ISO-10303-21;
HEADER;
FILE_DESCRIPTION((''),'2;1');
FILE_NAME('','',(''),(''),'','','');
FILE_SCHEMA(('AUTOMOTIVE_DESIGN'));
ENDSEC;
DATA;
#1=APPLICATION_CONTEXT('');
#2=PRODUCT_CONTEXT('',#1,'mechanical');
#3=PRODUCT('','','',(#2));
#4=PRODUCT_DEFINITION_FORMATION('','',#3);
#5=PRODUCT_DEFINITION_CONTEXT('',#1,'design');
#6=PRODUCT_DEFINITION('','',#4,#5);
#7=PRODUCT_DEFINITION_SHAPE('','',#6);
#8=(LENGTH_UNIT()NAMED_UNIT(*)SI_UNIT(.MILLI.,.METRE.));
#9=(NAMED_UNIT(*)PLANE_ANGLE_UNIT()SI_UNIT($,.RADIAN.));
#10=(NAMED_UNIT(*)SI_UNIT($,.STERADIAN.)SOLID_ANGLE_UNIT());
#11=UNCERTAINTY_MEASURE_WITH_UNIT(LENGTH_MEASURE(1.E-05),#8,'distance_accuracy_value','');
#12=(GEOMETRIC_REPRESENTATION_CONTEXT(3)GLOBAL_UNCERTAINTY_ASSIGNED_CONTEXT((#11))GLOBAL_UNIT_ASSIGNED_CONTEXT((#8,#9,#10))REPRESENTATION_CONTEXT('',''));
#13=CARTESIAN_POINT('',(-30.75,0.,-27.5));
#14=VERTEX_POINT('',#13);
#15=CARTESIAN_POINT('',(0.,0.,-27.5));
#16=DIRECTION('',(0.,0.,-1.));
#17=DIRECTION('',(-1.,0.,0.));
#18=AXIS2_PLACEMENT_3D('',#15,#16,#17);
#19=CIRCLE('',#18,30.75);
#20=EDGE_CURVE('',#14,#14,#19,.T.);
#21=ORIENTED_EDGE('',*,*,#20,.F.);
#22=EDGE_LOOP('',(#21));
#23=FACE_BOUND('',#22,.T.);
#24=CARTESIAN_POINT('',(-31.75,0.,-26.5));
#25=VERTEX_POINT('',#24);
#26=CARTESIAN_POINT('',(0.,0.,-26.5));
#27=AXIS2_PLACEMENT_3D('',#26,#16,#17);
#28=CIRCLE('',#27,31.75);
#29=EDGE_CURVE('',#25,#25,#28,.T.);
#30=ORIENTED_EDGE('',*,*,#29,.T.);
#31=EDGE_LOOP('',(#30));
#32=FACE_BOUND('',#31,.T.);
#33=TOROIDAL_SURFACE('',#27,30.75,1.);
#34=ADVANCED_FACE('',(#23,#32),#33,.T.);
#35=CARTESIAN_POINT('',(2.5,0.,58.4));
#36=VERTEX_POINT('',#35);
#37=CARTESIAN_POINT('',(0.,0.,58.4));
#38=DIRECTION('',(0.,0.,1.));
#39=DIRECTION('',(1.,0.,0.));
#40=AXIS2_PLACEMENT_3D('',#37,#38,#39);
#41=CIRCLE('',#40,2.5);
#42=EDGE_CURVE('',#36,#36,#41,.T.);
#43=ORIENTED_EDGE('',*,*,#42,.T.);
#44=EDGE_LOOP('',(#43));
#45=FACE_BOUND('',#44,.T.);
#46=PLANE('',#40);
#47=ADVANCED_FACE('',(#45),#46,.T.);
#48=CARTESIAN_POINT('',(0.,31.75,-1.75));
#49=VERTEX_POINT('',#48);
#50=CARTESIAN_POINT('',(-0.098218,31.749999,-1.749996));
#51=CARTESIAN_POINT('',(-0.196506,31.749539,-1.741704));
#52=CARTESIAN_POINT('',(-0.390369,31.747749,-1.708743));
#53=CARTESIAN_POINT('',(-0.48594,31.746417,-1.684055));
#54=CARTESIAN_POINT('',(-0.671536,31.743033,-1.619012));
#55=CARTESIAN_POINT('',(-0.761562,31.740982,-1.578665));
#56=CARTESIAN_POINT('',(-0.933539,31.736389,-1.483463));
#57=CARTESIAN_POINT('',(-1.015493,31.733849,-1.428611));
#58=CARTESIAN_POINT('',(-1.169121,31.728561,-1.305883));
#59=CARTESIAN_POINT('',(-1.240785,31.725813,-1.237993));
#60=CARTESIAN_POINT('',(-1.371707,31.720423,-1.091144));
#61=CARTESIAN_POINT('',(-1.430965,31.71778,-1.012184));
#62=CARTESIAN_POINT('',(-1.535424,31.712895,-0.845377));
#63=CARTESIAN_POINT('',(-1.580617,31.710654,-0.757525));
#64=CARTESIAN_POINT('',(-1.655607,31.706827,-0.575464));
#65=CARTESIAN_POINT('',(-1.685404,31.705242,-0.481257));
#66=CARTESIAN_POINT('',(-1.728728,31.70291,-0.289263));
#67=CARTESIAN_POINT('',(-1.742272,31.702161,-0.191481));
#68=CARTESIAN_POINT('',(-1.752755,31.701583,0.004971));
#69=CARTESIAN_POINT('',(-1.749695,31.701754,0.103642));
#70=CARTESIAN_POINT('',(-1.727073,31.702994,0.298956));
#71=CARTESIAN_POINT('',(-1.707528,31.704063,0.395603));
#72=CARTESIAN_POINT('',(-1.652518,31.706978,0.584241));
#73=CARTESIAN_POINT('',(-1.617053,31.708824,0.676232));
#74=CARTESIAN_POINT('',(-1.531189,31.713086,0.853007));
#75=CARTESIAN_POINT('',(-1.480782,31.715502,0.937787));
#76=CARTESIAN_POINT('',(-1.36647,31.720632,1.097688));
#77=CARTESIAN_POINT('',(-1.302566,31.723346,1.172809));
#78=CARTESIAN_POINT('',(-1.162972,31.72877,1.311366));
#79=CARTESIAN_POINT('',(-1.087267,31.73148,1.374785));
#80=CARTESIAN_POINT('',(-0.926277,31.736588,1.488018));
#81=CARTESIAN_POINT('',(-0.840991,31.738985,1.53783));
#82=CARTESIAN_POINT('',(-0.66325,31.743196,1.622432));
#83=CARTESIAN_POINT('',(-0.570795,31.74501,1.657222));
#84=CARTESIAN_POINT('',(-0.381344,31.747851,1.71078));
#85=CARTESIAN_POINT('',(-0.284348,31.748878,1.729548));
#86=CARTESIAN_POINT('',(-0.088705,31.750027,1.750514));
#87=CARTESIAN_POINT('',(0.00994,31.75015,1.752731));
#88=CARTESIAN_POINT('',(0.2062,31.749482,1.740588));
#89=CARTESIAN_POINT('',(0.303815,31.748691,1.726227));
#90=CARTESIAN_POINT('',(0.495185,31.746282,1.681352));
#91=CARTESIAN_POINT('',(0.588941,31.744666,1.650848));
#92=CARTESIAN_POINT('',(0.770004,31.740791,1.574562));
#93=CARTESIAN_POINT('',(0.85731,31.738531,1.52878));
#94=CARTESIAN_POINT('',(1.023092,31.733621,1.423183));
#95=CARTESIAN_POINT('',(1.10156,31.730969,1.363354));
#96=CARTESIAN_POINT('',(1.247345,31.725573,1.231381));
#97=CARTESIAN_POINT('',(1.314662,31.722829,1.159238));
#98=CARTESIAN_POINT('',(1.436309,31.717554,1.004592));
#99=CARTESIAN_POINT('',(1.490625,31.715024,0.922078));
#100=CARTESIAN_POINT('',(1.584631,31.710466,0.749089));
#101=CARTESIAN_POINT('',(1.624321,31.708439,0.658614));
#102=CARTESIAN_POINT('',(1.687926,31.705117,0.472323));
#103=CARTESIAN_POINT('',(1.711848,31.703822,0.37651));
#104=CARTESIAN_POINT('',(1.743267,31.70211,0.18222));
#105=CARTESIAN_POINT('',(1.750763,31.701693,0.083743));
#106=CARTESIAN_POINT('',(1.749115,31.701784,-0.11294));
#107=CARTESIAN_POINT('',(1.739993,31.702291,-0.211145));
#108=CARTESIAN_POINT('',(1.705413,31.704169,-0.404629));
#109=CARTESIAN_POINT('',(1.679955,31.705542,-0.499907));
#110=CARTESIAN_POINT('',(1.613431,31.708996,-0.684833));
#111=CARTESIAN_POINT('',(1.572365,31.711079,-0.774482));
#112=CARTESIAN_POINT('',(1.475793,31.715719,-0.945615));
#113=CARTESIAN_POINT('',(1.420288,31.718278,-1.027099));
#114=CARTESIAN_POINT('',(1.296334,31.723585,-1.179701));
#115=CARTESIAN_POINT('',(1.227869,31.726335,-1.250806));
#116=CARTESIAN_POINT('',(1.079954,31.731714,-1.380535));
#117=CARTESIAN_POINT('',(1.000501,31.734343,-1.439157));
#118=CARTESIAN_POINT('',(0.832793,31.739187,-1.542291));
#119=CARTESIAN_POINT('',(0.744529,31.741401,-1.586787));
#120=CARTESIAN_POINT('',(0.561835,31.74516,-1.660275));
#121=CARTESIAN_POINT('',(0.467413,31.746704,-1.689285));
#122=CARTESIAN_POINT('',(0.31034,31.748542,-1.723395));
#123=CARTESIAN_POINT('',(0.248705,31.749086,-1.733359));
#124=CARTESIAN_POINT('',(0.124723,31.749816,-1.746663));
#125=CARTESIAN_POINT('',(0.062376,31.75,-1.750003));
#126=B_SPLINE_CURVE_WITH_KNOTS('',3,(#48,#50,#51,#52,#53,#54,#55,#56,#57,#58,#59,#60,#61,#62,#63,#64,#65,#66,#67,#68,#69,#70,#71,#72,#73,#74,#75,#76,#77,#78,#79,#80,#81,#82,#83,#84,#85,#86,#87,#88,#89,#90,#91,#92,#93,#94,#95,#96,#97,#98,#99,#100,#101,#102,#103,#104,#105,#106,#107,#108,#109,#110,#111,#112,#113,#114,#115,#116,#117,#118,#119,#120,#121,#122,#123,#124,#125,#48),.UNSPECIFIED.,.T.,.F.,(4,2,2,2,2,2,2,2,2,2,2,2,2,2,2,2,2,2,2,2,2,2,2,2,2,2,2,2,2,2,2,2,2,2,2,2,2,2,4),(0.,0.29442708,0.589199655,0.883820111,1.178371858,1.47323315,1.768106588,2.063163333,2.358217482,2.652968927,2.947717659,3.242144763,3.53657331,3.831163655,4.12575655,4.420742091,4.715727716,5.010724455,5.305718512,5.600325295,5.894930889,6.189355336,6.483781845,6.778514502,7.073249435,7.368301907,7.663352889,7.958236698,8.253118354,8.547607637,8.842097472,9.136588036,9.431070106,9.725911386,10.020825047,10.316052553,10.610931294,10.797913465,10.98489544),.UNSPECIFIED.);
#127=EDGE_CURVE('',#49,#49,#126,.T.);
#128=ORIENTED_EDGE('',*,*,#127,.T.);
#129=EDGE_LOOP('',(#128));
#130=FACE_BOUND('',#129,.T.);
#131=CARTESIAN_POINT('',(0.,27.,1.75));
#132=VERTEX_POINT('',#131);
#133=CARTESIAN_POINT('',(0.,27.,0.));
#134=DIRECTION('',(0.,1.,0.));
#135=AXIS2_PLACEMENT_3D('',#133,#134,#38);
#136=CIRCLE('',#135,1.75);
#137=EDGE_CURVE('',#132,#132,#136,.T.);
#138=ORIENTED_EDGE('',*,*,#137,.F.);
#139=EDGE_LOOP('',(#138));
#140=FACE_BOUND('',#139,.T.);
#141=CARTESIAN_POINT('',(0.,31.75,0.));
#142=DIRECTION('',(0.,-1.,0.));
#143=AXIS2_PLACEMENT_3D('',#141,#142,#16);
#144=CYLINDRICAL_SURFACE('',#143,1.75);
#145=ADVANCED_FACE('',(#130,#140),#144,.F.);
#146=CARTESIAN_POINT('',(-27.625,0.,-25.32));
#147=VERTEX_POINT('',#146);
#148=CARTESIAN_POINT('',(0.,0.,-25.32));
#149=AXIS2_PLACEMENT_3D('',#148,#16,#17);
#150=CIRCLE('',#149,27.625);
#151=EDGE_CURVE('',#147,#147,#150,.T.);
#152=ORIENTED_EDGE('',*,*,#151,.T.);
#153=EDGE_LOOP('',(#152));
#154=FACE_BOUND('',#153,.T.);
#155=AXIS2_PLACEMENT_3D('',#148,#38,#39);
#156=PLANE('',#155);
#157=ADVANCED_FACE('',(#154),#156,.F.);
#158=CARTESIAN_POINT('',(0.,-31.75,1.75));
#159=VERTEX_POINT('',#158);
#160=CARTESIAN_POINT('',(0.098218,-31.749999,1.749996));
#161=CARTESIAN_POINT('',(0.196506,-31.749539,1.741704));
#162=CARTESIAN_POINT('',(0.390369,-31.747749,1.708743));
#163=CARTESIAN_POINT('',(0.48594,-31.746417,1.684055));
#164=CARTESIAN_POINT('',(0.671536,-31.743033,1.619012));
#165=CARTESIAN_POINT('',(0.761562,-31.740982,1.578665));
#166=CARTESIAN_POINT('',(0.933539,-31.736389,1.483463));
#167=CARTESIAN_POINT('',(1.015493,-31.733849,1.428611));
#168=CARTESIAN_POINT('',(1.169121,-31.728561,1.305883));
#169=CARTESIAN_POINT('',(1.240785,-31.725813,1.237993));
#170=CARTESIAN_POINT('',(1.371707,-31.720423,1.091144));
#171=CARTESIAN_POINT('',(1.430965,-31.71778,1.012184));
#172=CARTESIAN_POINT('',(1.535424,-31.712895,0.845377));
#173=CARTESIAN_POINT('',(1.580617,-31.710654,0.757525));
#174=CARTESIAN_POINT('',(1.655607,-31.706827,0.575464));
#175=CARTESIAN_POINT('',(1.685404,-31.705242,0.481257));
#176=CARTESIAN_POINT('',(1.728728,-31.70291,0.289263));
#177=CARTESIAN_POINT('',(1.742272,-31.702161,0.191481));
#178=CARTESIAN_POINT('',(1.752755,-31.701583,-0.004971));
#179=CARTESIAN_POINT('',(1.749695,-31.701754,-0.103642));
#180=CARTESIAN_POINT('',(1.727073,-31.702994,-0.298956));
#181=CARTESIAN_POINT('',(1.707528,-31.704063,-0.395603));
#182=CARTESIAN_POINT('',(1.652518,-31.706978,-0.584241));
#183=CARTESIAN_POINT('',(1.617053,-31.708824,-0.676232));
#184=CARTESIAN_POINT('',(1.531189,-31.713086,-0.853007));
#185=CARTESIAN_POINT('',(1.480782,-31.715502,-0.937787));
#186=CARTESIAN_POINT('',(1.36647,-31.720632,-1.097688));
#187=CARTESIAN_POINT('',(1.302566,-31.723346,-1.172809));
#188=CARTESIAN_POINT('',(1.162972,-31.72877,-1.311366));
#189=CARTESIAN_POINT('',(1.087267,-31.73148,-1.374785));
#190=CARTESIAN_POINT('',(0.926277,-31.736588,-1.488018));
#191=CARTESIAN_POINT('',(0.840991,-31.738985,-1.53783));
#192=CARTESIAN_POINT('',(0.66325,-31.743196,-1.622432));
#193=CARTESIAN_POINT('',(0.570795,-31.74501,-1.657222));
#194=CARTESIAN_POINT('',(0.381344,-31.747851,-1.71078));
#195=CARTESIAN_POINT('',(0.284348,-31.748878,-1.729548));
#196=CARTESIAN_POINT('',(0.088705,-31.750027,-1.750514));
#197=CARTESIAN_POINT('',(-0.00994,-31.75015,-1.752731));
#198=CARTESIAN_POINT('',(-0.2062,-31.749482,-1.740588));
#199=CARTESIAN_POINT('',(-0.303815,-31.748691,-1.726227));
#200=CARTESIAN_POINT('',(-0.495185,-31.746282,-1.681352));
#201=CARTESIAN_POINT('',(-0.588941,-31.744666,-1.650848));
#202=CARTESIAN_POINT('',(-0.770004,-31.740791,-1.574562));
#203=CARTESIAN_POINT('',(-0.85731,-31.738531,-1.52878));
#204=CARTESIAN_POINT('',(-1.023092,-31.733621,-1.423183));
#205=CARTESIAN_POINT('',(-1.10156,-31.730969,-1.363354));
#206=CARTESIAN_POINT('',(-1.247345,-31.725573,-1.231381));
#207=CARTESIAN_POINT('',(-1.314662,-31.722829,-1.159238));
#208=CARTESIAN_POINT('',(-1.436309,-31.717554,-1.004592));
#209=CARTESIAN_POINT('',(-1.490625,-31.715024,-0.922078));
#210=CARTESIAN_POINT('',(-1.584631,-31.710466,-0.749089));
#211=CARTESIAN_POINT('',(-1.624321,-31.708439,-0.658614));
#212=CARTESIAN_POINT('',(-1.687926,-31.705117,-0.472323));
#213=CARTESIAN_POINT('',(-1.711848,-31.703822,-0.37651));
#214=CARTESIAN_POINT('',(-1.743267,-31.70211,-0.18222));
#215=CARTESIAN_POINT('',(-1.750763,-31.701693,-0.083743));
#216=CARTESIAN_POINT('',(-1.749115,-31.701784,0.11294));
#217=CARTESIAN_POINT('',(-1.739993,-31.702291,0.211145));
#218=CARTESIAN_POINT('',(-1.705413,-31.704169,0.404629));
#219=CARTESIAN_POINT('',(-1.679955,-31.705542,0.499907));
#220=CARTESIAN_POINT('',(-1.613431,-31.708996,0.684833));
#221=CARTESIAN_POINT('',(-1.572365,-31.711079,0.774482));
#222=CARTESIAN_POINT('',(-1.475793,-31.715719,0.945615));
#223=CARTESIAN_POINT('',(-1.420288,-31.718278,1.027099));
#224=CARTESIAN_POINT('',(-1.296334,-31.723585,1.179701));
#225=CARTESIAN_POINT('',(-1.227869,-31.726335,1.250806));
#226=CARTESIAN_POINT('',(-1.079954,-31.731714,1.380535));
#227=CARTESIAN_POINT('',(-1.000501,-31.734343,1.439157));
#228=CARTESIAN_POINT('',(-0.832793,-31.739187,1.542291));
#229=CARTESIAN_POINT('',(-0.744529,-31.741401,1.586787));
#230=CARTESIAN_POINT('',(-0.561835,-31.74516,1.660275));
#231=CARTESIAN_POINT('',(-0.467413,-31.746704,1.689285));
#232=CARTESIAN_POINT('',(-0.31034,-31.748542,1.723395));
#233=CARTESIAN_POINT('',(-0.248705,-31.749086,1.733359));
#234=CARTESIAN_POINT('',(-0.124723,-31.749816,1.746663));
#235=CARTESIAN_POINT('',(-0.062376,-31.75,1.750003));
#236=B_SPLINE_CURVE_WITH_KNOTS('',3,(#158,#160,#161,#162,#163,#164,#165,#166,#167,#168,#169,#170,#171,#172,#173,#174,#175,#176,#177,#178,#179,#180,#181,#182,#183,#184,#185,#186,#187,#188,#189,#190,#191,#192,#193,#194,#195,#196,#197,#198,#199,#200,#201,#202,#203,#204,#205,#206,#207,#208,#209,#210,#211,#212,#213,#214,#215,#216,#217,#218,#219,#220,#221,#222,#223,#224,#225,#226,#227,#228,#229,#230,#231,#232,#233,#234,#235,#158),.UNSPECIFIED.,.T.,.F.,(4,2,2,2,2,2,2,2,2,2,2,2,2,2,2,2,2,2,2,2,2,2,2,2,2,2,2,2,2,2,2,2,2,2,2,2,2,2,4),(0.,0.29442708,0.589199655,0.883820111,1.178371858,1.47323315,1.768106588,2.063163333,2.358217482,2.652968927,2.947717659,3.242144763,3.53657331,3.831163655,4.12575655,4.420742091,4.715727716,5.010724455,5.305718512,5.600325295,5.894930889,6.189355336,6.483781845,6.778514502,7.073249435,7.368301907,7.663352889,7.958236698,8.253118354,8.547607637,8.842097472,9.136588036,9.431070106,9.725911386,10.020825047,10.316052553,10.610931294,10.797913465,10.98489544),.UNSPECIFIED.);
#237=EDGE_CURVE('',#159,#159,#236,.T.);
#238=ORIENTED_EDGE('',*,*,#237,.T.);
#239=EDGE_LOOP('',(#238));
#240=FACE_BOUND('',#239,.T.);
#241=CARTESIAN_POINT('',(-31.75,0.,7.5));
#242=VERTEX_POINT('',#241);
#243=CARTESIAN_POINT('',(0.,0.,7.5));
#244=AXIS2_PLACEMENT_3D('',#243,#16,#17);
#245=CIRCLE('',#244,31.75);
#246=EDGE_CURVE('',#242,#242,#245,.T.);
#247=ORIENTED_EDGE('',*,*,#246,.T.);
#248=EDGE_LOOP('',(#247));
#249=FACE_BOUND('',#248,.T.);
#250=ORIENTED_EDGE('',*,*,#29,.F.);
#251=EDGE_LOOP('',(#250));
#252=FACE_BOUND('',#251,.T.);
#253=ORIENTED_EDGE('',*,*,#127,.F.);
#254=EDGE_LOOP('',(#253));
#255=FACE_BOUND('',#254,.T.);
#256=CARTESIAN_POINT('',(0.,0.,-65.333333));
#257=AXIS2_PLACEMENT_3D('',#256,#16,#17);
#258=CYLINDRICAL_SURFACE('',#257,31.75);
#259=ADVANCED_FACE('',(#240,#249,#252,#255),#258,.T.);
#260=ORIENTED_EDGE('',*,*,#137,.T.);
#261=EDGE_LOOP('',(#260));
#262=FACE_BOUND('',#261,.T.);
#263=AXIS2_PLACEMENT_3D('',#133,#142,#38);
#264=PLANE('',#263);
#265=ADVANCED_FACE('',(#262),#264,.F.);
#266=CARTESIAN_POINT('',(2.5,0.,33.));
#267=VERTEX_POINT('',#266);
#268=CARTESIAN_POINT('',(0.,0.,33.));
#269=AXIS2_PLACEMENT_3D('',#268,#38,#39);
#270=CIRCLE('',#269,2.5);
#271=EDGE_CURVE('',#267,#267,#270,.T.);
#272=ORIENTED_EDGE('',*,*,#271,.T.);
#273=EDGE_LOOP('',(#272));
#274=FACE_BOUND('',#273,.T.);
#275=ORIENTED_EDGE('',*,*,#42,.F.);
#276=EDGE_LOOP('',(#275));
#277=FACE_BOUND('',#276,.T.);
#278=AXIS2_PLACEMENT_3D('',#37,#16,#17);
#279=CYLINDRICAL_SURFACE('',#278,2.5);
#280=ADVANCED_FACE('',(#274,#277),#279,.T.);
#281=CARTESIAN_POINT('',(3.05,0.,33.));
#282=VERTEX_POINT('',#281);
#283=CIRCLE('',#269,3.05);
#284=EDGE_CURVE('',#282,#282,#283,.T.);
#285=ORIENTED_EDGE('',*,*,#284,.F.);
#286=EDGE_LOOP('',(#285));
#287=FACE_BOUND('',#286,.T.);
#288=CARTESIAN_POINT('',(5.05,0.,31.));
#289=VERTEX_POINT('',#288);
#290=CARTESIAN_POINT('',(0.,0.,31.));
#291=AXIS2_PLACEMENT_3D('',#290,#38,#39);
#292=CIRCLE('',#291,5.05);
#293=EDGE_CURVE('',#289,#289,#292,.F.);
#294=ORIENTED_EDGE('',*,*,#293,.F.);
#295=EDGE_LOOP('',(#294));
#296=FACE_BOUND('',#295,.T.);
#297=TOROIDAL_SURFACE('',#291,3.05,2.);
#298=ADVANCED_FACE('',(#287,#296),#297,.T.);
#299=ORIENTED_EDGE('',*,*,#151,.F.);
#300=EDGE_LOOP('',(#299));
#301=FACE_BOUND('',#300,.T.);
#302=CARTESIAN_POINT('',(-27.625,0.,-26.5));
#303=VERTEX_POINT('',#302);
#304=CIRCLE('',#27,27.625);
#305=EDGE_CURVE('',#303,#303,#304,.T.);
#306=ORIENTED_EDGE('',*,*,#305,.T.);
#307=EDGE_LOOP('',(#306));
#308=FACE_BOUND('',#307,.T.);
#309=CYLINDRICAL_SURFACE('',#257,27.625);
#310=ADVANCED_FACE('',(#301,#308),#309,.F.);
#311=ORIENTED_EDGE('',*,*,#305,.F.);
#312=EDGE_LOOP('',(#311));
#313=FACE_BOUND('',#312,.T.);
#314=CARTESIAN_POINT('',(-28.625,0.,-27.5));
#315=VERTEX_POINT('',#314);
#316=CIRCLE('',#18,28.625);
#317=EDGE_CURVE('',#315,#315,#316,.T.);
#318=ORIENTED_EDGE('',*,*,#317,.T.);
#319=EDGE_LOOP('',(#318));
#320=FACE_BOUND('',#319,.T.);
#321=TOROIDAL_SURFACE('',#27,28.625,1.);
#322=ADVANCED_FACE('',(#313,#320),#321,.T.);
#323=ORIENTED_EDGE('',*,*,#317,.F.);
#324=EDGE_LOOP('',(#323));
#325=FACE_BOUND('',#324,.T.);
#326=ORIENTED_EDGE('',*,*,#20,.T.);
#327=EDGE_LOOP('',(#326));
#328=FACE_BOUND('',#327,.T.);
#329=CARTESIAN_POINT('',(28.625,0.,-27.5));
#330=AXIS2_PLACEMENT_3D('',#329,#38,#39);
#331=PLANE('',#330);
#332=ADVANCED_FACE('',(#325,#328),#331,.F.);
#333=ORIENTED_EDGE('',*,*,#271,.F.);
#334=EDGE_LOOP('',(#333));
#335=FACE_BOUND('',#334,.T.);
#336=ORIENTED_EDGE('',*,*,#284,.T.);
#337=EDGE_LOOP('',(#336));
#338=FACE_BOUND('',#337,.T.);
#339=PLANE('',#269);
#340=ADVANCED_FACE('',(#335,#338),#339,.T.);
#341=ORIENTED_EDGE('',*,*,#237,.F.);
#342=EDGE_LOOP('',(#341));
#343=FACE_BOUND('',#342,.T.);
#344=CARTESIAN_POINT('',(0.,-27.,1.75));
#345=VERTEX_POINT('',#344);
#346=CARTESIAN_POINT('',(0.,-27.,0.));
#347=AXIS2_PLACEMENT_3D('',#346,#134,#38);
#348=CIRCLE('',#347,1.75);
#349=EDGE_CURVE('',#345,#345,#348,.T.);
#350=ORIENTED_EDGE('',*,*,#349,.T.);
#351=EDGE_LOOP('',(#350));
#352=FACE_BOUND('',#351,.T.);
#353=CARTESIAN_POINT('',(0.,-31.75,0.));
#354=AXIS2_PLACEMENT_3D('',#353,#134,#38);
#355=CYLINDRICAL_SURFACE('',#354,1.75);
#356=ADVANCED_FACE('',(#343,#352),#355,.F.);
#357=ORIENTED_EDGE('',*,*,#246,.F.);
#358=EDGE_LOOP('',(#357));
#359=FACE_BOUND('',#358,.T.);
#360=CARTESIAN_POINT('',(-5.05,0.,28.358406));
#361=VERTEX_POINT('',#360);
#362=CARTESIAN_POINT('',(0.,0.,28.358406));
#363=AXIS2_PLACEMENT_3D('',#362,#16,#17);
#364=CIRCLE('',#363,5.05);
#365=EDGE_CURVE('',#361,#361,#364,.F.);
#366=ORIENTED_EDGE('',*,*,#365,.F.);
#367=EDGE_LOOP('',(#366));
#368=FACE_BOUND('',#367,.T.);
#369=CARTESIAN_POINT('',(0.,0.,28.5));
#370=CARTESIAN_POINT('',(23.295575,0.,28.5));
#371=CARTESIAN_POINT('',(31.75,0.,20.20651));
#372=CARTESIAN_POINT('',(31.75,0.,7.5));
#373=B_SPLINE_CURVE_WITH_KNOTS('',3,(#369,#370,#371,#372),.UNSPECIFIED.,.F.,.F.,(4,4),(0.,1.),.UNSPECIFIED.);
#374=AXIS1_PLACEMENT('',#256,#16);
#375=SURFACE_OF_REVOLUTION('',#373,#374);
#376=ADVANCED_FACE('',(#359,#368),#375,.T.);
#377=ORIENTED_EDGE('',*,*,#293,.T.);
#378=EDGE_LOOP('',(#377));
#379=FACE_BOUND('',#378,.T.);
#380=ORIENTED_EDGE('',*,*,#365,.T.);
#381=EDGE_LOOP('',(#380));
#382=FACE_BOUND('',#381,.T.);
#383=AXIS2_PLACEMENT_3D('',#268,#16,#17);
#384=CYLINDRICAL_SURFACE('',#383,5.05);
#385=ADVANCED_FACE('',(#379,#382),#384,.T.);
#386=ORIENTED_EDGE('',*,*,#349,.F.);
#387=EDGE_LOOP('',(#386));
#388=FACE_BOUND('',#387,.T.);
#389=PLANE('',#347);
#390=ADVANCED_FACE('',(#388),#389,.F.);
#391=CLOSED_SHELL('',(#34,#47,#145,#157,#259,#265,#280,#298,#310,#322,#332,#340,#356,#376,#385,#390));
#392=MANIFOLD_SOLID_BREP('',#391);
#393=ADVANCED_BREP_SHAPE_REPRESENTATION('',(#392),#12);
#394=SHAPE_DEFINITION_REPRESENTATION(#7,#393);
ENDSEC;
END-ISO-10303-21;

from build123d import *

# Parameters (mm, degrees)
CUT_EXTRUDE1_START  = -27
SKETCH6_R           = 1.75
CUT_EXTRUDE1_DEPTH  = 5.7500001
SKETCH7_R           = 5.05
BOSS_EXTRUDE2_DEPTH = 8
FILLET1_R           = 2
SKETCH8_R           = 2.5
BOSS_EXTRUDE3_DEPTH = 25.4


with BuildPart() as part:
    # Sketch3 → Revolve1 (revolve)
    with BuildSketch(Plane(origin=(0, 0, 0), x_dir=(1, 0, 0), z_dir=(0, 1, 0))):
        with BuildLine():
            Line((0, 25.32), (27.625, 25.32))
            Line((27.625, 25.32), (27.625, 26.5))
            ThreePointArc((27.625, 26.5), (27.917893219, 27.207106781), (28.625, 27.5))
            Line((28.625, 27.5), (30.75, 27.5))
            ThreePointArc((30.75, 27.5), (31.457106781, 27.207106781), (31.75, 26.5))
            Line((31.75, 26.5), (31.75, -7.5))
            add(Edge.make_bspline(
                [(0, -28.5), (23.295574904, -28.5), (31.75, -20.206509843), (31.75, -7.5)],
                knots=[0, 0, 0, 0, 1, 1, 1, 1], degree=3))
            Line((0, -28.5), (0, 25.32))
        make_face()
    revolve(axis=Axis((0, 0, -65.333333333), (0, 0, 1)))

    # Sketch6 → Cut-Extrude1 (cut, through all)
    with BuildSketch(Plane(origin=(0, 0, 0), x_dir=(1, 0, 0), z_dir=(0, 1, 0)).offset(CUT_EXTRUDE1_START)):
        Circle(SKETCH6_R)
    cut_extrude1 = extrude(amount=-CUT_EXTRUDE1_DEPTH, mode=Mode.SUBTRACT)

    # Mirror1: Cut-Extrude1 across plane
    add(cut_extrude1.mirror(Plane.ZX), mode=Mode.SUBTRACT)

    # Sketch7 → Boss-Extrude2 (add)
    with BuildSketch(Plane.XY.offset(25)):
        Circle(SKETCH7_R)
    extrude(amount=BOSS_EXTRUDE2_DEPTH)

    # Fillet1
    fillet1_edges = [part.edges().sort_by_distance(p)[0] for p in [
        (-5.05, 0, 33),
    ]]
    fillet(fillet1_edges, radius=FILLET1_R)

    # Sketch8 → Boss-Extrude3 (add)
    with BuildSketch(Plane.XY.offset(33)):
        Circle(SKETCH8_R)
    extrude(amount=BOSS_EXTRUDE3_DEPTH)


solid = part.part
